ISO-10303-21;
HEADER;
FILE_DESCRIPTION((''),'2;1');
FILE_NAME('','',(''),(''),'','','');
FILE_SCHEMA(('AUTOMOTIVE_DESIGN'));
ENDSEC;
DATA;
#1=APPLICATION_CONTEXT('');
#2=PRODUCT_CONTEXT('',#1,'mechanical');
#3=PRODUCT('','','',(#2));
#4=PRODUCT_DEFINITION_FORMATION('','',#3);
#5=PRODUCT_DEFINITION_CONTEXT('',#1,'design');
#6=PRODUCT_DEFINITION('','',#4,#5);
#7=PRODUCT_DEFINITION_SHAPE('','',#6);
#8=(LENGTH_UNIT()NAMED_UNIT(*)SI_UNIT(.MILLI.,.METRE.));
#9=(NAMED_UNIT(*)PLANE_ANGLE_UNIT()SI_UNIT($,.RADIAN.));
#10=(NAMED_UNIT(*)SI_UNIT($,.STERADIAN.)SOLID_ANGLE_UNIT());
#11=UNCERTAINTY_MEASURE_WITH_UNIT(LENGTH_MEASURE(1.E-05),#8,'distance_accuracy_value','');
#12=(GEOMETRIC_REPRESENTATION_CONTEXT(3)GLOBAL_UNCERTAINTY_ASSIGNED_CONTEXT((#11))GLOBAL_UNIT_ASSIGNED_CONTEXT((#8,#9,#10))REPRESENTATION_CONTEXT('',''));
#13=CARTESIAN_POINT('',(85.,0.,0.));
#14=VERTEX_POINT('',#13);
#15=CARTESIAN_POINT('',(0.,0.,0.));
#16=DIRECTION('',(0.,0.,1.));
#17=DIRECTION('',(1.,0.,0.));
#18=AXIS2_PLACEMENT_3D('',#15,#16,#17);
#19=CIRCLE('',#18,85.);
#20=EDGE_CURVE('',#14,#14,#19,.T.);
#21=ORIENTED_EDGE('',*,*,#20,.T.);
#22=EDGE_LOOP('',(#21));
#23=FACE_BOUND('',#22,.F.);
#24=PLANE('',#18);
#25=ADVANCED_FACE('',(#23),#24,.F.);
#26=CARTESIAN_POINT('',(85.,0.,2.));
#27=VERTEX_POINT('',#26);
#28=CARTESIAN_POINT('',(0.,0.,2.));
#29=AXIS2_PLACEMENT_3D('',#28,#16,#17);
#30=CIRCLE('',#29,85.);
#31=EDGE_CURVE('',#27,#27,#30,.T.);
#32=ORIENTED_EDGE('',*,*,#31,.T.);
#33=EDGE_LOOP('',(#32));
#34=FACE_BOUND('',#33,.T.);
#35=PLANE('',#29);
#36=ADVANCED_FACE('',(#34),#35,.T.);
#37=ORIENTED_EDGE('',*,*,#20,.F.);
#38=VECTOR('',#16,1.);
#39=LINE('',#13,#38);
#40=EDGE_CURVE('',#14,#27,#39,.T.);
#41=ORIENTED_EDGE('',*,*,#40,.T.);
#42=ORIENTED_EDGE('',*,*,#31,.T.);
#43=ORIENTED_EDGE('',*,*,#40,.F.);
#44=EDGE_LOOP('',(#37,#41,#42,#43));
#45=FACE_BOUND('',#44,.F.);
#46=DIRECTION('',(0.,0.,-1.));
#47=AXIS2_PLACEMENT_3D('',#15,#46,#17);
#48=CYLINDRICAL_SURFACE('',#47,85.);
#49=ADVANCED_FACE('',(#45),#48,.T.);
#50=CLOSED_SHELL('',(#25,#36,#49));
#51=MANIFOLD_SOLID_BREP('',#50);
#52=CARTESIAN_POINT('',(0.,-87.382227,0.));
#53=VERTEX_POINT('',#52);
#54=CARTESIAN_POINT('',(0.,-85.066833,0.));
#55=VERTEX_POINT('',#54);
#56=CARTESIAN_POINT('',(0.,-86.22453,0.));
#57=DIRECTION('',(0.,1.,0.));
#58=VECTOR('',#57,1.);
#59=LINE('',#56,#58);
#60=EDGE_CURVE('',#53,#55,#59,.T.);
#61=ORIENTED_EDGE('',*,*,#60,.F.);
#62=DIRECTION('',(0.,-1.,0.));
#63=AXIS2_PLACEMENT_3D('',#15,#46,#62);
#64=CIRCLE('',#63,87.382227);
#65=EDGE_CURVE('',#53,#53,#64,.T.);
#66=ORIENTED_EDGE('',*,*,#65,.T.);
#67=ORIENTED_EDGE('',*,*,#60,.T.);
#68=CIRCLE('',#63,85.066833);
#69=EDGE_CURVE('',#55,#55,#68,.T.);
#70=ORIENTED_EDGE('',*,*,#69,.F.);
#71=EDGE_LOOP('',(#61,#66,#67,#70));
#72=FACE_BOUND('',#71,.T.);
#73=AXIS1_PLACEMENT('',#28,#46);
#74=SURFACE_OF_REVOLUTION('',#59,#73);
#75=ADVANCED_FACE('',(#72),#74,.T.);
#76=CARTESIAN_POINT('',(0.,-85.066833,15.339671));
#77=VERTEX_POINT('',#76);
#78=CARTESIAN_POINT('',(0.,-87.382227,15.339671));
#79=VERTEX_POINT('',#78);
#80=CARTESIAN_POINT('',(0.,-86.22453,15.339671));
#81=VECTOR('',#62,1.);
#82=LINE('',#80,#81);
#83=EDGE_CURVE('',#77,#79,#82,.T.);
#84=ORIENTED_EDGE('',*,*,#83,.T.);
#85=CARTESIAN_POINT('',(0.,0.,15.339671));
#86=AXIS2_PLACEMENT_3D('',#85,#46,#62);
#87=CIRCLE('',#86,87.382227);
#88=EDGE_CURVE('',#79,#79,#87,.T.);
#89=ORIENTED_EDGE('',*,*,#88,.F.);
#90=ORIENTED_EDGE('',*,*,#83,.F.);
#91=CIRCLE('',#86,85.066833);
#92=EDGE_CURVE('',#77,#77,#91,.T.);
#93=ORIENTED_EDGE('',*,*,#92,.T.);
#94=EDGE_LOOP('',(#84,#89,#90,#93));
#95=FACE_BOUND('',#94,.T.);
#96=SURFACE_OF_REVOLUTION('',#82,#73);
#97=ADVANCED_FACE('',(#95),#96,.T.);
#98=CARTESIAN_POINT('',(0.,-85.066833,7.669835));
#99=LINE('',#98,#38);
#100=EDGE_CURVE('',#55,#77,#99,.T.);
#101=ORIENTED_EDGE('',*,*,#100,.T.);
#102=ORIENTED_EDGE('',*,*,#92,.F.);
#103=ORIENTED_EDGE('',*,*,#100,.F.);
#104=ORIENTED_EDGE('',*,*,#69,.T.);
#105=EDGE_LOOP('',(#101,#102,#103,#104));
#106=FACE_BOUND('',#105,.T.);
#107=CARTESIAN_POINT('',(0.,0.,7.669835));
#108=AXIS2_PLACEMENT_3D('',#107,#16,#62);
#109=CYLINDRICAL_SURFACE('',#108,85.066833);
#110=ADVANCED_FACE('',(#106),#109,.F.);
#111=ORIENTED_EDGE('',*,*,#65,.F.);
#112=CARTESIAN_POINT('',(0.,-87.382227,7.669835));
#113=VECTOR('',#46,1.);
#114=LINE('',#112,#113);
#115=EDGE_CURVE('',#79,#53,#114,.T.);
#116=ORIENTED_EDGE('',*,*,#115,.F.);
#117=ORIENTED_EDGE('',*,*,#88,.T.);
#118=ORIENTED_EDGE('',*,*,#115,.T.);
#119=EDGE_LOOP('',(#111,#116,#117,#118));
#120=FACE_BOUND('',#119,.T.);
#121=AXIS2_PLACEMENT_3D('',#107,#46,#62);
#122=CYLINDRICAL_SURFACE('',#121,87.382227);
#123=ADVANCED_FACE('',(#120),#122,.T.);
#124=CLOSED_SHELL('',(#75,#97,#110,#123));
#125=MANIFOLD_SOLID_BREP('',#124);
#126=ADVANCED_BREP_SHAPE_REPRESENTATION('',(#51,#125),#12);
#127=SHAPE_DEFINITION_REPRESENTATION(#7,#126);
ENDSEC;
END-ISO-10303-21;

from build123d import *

# Parameters (mm, degrees)
F0_R     = 85
F1_DEPTH = 2
F2_W     = 2.3153945804
F2_H     = 15.3396707028


with BuildPart() as f1:
    # F0 (on Top) → F1 (new body)
    with BuildSketch(Plane.XY):
        Circle(F0_R)
    extrude(amount=F1_DEPTH)


with BuildPart() as f3:
    # F3: sweep along a path in F3_path
    with BuildLine(Plane(origin=(85, 0, 2), x_dir=(0, -1, 0), z_dir=(0, 0, -1))) as f3_path:
        CenterArc((0, 85), 85, 0, 360)
    # F2 (on Right) → F3 (sweep)
    with BuildSketch(Plane.YZ):
        with Locations((-86.2245298922, 7.6698353514)):
            Rectangle(F2_W, F2_H)
    sweep(path=f3_path.line)


solid = Compound([f1.part, f3.part])
